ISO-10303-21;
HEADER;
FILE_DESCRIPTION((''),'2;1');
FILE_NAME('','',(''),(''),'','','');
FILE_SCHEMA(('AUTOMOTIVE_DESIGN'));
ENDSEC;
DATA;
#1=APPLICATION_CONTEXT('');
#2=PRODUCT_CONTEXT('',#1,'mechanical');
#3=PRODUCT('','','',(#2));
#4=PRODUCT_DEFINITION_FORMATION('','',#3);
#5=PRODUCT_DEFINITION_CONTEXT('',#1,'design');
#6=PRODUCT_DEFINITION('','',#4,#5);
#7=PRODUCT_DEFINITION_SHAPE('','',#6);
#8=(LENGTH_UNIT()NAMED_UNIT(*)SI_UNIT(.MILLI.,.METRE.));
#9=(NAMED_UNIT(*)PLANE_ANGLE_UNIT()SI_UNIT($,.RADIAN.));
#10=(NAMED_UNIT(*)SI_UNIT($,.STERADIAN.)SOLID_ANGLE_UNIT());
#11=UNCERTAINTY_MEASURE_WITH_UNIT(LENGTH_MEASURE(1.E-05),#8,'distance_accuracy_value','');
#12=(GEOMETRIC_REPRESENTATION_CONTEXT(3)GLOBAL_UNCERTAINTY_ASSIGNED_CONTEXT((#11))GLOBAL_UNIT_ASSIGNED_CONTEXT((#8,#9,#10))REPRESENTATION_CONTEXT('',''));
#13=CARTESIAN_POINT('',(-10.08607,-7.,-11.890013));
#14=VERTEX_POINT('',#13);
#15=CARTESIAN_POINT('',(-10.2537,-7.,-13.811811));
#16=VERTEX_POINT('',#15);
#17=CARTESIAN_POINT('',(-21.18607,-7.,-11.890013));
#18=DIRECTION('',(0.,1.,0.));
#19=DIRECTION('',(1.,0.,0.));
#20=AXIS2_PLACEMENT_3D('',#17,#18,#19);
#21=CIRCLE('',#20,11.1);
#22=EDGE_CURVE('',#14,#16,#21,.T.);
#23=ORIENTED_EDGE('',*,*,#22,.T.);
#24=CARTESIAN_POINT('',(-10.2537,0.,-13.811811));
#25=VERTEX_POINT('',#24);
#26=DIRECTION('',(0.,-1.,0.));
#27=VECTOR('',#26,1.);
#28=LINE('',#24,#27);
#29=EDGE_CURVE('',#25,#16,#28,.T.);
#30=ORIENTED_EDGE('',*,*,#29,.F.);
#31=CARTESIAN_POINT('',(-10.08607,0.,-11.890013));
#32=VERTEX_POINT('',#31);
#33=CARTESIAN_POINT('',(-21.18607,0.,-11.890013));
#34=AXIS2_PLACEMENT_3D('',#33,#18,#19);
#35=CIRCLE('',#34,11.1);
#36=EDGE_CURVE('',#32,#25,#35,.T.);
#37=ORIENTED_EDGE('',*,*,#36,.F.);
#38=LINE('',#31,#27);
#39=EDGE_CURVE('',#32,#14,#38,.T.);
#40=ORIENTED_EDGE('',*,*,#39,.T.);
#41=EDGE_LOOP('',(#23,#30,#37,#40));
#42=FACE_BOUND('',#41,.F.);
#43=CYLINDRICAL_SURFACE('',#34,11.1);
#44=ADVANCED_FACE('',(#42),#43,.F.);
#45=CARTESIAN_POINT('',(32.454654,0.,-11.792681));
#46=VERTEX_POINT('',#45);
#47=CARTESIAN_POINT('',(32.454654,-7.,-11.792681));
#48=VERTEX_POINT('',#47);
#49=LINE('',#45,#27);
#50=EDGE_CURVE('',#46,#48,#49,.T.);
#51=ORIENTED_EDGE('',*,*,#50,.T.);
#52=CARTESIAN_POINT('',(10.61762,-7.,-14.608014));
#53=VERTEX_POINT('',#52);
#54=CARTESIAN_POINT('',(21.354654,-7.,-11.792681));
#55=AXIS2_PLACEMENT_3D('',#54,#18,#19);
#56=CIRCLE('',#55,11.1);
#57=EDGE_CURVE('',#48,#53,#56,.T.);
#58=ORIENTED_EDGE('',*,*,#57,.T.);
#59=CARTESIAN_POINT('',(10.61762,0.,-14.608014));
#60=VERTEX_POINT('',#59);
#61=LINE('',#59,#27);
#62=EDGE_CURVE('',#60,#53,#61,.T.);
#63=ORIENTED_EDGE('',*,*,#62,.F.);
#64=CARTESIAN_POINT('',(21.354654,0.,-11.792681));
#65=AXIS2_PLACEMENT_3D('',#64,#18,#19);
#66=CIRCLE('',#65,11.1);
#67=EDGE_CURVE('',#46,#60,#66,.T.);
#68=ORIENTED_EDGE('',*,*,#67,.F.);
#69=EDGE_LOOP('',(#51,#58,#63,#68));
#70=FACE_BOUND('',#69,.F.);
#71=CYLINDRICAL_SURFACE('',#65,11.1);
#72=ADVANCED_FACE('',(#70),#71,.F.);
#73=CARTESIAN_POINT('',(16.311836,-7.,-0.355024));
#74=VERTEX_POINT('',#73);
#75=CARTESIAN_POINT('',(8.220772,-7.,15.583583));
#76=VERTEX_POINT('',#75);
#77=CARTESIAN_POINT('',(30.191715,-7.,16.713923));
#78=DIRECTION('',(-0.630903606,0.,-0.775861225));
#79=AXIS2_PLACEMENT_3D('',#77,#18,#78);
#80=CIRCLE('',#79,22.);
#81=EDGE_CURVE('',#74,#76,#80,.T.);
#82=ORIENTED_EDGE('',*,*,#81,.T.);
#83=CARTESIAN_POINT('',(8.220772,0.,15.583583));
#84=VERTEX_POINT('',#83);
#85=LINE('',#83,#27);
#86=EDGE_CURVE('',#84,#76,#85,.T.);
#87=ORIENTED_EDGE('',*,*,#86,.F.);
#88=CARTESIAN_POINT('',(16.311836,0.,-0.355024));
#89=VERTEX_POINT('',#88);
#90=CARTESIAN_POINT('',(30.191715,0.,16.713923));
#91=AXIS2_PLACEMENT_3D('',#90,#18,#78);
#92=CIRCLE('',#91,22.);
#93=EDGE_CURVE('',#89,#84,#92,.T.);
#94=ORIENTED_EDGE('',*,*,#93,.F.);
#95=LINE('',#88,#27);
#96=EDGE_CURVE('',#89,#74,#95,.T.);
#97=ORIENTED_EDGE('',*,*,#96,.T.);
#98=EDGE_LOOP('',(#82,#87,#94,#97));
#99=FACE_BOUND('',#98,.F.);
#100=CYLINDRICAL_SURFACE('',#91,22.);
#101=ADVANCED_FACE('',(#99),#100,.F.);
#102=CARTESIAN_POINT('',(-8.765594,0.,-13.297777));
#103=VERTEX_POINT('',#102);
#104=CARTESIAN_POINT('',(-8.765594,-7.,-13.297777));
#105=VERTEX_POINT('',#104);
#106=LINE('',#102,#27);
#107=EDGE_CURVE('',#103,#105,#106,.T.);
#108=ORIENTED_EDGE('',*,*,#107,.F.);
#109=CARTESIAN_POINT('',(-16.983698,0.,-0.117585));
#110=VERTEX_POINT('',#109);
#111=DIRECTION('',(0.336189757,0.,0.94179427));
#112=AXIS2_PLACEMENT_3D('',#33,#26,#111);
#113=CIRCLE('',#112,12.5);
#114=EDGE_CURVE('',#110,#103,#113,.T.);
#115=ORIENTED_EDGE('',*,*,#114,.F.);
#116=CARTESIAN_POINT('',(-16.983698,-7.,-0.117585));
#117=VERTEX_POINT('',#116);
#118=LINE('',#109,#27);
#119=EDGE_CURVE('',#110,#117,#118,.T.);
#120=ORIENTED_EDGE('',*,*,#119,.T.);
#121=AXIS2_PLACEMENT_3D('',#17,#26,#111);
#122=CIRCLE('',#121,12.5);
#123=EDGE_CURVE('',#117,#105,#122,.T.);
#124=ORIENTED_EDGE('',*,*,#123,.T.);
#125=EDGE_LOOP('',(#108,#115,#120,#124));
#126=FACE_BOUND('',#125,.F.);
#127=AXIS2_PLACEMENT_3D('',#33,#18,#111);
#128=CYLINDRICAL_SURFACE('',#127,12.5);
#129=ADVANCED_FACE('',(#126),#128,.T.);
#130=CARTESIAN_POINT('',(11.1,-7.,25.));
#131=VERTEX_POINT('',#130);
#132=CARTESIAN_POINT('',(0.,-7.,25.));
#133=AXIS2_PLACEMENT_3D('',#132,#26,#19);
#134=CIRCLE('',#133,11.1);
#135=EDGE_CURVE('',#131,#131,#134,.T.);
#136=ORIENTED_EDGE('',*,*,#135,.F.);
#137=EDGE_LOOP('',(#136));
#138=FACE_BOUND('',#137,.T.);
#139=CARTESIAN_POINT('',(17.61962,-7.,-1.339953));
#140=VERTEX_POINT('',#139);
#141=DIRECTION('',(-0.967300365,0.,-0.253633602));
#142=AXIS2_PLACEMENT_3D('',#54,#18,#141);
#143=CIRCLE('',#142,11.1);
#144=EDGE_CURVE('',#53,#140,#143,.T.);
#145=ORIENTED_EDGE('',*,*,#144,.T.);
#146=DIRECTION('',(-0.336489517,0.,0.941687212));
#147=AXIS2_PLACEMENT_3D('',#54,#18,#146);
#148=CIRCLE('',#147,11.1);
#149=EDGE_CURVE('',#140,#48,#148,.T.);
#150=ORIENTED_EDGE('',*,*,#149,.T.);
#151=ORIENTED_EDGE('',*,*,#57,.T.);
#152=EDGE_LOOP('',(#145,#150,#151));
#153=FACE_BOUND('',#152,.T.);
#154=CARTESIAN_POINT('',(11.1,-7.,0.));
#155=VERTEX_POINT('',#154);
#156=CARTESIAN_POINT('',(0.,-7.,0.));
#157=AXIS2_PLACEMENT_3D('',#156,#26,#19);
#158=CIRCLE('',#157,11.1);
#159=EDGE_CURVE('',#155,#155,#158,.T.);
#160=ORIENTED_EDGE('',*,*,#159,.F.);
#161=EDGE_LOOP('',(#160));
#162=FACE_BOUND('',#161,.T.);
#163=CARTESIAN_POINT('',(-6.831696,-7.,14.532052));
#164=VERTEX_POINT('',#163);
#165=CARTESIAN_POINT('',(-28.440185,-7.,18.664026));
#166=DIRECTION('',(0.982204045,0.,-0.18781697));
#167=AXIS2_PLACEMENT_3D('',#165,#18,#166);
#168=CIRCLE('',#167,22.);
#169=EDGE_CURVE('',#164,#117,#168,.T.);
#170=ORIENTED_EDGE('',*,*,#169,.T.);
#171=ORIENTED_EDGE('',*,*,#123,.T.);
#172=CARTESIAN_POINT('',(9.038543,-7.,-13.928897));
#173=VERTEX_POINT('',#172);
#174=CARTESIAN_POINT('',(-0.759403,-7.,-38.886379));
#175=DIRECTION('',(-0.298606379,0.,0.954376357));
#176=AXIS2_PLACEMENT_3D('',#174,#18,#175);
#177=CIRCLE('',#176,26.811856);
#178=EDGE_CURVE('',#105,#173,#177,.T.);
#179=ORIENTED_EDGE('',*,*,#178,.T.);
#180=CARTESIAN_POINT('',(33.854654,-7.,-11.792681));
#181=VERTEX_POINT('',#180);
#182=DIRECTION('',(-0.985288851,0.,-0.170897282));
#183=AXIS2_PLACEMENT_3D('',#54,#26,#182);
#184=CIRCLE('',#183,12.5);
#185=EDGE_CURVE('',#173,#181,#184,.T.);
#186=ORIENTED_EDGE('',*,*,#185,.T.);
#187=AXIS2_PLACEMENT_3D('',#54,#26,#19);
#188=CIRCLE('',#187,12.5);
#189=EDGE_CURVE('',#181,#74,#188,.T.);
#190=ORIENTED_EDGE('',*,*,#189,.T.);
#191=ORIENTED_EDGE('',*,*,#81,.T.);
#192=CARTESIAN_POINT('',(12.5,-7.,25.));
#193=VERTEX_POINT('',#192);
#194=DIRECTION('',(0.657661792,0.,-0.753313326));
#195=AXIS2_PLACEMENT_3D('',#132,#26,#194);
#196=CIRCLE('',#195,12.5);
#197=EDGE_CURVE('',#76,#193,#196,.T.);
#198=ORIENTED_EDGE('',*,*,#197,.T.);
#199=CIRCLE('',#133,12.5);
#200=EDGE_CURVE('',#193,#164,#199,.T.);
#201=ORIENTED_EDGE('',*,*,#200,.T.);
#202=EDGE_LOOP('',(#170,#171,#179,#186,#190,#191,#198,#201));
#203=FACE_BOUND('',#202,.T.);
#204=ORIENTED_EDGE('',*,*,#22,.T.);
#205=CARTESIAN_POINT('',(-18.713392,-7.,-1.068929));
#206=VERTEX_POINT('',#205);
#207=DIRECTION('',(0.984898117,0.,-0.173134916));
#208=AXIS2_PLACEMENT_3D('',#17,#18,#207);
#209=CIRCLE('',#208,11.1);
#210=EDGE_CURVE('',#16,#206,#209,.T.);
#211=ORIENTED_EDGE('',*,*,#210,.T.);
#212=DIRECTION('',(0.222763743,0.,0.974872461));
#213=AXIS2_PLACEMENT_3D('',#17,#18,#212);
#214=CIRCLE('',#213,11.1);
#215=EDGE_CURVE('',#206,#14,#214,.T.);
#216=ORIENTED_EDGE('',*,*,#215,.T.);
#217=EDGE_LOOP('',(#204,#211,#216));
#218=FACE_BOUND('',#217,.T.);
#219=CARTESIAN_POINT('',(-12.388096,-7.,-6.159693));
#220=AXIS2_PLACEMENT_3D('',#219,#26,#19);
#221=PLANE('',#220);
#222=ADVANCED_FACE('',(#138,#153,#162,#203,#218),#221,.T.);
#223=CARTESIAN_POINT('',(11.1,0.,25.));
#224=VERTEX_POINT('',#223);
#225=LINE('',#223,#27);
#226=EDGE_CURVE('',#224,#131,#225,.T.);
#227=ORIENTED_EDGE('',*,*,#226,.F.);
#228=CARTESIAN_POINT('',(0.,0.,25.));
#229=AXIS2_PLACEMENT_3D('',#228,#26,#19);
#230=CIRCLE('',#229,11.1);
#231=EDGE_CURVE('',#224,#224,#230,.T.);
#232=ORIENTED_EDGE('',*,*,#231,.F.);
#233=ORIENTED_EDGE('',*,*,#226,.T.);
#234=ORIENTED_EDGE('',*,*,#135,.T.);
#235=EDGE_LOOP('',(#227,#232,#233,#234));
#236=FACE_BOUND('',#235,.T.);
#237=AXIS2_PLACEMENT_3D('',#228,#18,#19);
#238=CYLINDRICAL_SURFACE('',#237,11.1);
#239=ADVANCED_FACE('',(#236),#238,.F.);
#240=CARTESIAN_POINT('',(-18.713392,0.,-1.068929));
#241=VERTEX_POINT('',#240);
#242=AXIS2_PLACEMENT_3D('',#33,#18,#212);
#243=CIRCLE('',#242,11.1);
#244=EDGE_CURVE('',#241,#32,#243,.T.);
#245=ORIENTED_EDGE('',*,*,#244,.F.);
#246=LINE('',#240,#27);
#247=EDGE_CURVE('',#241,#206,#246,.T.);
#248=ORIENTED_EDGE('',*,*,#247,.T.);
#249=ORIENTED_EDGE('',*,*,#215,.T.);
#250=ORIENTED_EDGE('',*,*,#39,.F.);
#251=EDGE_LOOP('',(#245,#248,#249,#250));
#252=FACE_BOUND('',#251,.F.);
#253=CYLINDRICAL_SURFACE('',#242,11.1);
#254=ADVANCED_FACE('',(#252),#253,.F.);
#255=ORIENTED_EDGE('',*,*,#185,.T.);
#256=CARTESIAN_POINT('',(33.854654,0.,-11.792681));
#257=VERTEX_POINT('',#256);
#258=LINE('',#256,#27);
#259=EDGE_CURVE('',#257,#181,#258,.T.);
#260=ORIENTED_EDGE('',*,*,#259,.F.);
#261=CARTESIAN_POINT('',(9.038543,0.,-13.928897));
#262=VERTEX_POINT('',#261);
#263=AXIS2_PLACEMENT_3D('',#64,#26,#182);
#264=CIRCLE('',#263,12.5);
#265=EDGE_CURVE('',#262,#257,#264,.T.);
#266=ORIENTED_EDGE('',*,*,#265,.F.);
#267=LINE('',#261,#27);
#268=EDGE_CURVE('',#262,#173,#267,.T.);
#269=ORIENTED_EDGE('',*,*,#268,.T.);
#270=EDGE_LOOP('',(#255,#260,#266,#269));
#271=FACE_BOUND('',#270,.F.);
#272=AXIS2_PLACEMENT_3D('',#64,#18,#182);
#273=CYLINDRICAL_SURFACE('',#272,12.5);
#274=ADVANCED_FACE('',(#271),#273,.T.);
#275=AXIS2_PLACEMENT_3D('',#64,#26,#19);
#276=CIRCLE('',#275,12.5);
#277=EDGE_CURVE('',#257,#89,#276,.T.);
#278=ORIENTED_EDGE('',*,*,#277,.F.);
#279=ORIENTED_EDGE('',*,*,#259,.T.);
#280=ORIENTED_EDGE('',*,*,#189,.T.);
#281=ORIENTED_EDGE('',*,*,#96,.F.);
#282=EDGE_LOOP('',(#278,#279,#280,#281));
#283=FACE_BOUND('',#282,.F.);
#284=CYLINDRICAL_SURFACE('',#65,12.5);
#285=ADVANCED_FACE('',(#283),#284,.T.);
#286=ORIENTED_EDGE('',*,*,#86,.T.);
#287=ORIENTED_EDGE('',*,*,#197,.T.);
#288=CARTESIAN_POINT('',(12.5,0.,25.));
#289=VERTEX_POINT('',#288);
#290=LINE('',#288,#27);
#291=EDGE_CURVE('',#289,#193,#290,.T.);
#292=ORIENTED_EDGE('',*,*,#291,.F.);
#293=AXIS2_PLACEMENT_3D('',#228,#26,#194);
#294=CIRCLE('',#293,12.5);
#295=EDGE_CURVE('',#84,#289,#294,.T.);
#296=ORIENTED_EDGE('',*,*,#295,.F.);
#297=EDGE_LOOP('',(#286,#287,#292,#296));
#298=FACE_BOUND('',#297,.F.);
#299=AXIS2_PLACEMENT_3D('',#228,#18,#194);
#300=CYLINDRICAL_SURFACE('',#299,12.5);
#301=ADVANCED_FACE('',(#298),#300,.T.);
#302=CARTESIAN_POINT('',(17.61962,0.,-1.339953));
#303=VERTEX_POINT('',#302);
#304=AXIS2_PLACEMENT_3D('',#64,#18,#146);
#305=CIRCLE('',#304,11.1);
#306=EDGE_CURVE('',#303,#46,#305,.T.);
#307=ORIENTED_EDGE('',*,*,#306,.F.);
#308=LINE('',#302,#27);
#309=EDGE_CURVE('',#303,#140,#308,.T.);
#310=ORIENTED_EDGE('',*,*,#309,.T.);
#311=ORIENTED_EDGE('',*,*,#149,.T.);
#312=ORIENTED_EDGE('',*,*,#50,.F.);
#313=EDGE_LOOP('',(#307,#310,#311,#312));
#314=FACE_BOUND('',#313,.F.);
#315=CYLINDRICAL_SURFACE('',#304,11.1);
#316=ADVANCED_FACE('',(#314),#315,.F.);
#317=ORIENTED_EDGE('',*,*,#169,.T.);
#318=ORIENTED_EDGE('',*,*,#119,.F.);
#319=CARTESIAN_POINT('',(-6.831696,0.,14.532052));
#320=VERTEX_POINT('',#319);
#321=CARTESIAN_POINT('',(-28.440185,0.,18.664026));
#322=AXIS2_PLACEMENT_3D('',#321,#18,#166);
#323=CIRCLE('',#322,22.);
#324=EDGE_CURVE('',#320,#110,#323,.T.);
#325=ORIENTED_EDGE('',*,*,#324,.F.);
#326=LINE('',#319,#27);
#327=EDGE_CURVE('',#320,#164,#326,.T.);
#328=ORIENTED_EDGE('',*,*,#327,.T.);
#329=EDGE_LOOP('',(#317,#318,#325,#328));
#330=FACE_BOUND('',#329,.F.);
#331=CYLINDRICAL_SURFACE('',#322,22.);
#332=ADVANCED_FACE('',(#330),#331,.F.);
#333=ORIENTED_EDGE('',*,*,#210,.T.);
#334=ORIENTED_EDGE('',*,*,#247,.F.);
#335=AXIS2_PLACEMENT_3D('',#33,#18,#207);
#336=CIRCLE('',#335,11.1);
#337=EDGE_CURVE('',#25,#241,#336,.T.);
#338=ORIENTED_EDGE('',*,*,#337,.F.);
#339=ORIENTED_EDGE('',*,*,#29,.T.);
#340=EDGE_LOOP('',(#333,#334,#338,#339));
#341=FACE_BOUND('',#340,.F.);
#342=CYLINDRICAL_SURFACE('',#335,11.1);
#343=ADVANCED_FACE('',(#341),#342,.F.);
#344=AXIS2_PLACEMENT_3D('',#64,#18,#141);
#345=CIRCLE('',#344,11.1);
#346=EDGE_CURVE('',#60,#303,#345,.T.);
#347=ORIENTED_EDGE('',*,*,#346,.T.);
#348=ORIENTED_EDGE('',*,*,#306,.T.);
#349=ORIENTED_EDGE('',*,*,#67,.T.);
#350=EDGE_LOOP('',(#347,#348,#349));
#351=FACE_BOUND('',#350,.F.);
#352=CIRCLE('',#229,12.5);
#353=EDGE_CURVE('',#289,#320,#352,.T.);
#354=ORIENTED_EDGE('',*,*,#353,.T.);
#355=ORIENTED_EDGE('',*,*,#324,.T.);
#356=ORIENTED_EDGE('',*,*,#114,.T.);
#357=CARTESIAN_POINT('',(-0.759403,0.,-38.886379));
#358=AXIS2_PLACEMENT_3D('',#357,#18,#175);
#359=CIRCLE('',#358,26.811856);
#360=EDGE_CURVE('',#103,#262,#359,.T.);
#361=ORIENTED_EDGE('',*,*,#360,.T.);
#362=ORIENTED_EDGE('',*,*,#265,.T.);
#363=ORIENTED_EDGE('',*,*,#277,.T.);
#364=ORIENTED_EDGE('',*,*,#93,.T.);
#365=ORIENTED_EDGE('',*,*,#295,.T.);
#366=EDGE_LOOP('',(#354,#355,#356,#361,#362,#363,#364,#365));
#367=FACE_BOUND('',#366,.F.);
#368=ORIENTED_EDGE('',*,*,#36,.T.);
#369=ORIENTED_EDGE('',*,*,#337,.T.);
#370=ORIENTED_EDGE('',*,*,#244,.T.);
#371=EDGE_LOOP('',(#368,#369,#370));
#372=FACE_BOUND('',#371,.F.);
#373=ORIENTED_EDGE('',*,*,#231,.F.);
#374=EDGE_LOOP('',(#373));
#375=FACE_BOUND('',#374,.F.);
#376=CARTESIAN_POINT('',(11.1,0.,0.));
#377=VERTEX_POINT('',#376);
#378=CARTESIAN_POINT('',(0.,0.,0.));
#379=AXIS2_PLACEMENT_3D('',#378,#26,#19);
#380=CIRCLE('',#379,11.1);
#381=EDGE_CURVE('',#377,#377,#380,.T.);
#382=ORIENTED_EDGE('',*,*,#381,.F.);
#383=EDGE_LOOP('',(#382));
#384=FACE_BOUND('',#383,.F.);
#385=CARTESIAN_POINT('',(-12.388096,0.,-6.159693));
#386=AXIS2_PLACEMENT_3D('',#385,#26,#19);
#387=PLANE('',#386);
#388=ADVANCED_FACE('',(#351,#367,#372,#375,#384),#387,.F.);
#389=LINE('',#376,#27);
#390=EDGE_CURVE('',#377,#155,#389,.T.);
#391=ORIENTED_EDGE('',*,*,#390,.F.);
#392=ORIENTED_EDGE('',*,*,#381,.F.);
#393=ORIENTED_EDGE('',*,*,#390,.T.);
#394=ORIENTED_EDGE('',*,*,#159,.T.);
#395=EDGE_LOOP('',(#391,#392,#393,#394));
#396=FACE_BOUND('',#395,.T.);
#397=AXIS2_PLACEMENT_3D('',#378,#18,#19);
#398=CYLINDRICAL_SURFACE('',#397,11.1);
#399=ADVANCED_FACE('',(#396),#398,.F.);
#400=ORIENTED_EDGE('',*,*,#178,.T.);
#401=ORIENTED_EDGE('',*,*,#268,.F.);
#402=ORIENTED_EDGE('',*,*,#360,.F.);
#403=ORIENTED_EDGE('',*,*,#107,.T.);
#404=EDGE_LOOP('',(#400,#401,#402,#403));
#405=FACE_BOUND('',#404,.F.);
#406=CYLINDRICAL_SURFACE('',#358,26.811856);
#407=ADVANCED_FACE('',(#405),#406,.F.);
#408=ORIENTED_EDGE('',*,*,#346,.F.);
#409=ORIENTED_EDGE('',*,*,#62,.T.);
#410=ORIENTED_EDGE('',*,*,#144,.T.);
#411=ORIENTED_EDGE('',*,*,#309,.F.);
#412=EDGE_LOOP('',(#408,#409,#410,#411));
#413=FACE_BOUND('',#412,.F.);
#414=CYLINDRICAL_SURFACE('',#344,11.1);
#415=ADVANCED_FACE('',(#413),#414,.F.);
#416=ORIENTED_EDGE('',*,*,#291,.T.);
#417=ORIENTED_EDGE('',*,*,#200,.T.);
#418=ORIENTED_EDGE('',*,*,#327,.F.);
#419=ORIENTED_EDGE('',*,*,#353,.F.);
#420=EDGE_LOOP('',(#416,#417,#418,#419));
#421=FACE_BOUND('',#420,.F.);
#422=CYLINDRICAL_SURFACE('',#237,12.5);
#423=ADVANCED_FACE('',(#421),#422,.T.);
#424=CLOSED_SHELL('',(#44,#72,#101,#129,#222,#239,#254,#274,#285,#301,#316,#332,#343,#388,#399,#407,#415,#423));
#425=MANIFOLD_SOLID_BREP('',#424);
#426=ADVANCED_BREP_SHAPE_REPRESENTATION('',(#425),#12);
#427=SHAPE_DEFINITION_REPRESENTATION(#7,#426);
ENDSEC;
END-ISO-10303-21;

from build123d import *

# Parameters (mm, degrees)
F0_R     = 11.1
F1_DEPTH = 7


with BuildPart() as f1:
    # F0 (on Front) → F1 (new body)
    with BuildSketch(Plane.XZ):
        with BuildLine():
            ThreePointArc((-18.7133919886, -1.0689288006), (-12.5068783043, -4.9703570819), (-10.0860695319, -11.8900131163))
            ThreePointArc((-10.0860695319, -11.8900131163), (-10.1280566678, -12.8545604179), (-10.2537004323, -13.8118106783))
            ThreePointArc((-10.2537004323, -13.8118106783), (-9.5134212482, -13.5438687691), (-8.7655944524, -13.2977768744))
            ThreePointArc((-8.7655944524, -13.2977768744), (-8.7059665978, -12.5950171963), (-8.6860695319, -11.8900131163))
            ThreePointArc((-8.6860695319, -11.8900131163), (-10.9689356484, -4.6886121965), (-16.983697565, -0.117584741))
            ThreePointArc((-16.983697565, -0.117584741), (-17.837868909, -0.6126671921), (-18.7133919886, -1.0689288006))
        make_face()
        with BuildLine():
            ThreePointArc((-10.2537004323, -13.8118106783), (-30.4337221266, -18.0293063563), (-18.7133919886, -1.0689288006))
            ThreePointArc((-18.7133919886, -1.0689288006), (-17.837868909, -0.6126671921), (-16.983697565, -0.117584741))
            ThreePointArc((-16.983697565, -0.117584741), (-31.793101499, -18.5037014102), (-8.7655944524, -13.2977768744))
            ThreePointArc((-8.7655944524, -13.2977768744), (-9.5134212482, -13.5438687691), (-10.2537004323, -13.8118106783))
        make_face()
        with BuildLine():
            ThreePointArc((-6.8316961774, 14.5320523817), (-10.357703694, 6.1331094067), (-16.983697565, -0.117584741))
            ThreePointArc((-16.983697565, -0.117584741), (-10.9689356484, -4.6886121965), (-8.6860695319, -11.8900131163))
            ThreePointArc((-8.6860695319, -11.8900131163), (-8.7059665978, -12.5950171963), (-8.7655944524, -13.2977768744))
            ThreePointArc((-8.7655944524, -13.2977768744), (0.190425578, -12.0913517601), (9.0385431072, -13.928897006))
            ThreePointArc((9.0385431072, -13.928897006), (10.3366864456, -5.8889197434), (16.3118360026, -0.355024345))
            ThreePointArc((16.3118360026, -0.355024345), (10.5746266445, 6.7555175383), (8.2207724019, 15.5835834248))
            ThreePointArc((8.2207724019, 15.5835834248), (0.8710984864, 12.5303894437), (-6.8316961774, 14.5320523817))
        make_face()
        Circle(F0_R, mode=Mode.SUBTRACT)
        with BuildLine():
            ThreePointArc((12.5, 25), (-5.9520499739, 35.9919562003), (-6.8316961774, 14.5320523817))
            ThreePointArc((-6.8316961774, 14.5320523817), (0.8710984864, 12.5303894437), (8.2207724019, 15.5835834248))
            ThreePointArc((8.2207724019, 15.5835834248), (11.3800187834, 19.8284264978), (12.5, 25))
        make_face()
        with Locations((0, 25)):
            Circle(F0_R, mode=Mode.SUBTRACT)
        with BuildLine():
            ThreePointArc((16.3118360026, -0.355024345), (10.3366864456, -5.8889197434), (9.0385431072, -13.928897006))
            ThreePointArc((9.0385431072, -13.928897006), (9.8335251038, -14.255797823), (10.6176196868, -14.6080139557))
            ThreePointArc((10.6176196868, -14.6080139557), (11.5378035991, -6.6120001997), (17.6196201019, -1.339952927))
            ThreePointArc((17.6196201019, -1.339952927), (16.9565628734, -0.8596581225), (16.3118360026, -0.355024345))
        make_face()
        with BuildLine():
            ThreePointArc((10.6176196868, -14.6080139557), (9.8335251038, -14.255797823), (9.0385431072, -13.928897006))
            ThreePointArc((9.0385431072, -13.928897006), (22.426711831, -24.2466237864), (33.8546537387, -11.7926809791))
            ThreePointArc((33.8546537387, -11.7926809791), (28.1816142007, -1.3216442181), (16.3118360026, -0.355024345))
            ThreePointArc((16.3118360026, -0.355024345), (16.9565628734, -0.8596581225), (17.6196201019, -1.339952927))
            ThreePointArc((17.6196201019, -1.339952927), (27.7480537196, -2.7188484545), (32.4546537387, -11.7926809791))
            ThreePointArc((32.4546537387, -11.7926809791), (22.7739708322, -22.801565527), (10.6176196868, -14.6080139557))
        make_face()
    extrude(amount=F1_DEPTH)


solid = f1.part
